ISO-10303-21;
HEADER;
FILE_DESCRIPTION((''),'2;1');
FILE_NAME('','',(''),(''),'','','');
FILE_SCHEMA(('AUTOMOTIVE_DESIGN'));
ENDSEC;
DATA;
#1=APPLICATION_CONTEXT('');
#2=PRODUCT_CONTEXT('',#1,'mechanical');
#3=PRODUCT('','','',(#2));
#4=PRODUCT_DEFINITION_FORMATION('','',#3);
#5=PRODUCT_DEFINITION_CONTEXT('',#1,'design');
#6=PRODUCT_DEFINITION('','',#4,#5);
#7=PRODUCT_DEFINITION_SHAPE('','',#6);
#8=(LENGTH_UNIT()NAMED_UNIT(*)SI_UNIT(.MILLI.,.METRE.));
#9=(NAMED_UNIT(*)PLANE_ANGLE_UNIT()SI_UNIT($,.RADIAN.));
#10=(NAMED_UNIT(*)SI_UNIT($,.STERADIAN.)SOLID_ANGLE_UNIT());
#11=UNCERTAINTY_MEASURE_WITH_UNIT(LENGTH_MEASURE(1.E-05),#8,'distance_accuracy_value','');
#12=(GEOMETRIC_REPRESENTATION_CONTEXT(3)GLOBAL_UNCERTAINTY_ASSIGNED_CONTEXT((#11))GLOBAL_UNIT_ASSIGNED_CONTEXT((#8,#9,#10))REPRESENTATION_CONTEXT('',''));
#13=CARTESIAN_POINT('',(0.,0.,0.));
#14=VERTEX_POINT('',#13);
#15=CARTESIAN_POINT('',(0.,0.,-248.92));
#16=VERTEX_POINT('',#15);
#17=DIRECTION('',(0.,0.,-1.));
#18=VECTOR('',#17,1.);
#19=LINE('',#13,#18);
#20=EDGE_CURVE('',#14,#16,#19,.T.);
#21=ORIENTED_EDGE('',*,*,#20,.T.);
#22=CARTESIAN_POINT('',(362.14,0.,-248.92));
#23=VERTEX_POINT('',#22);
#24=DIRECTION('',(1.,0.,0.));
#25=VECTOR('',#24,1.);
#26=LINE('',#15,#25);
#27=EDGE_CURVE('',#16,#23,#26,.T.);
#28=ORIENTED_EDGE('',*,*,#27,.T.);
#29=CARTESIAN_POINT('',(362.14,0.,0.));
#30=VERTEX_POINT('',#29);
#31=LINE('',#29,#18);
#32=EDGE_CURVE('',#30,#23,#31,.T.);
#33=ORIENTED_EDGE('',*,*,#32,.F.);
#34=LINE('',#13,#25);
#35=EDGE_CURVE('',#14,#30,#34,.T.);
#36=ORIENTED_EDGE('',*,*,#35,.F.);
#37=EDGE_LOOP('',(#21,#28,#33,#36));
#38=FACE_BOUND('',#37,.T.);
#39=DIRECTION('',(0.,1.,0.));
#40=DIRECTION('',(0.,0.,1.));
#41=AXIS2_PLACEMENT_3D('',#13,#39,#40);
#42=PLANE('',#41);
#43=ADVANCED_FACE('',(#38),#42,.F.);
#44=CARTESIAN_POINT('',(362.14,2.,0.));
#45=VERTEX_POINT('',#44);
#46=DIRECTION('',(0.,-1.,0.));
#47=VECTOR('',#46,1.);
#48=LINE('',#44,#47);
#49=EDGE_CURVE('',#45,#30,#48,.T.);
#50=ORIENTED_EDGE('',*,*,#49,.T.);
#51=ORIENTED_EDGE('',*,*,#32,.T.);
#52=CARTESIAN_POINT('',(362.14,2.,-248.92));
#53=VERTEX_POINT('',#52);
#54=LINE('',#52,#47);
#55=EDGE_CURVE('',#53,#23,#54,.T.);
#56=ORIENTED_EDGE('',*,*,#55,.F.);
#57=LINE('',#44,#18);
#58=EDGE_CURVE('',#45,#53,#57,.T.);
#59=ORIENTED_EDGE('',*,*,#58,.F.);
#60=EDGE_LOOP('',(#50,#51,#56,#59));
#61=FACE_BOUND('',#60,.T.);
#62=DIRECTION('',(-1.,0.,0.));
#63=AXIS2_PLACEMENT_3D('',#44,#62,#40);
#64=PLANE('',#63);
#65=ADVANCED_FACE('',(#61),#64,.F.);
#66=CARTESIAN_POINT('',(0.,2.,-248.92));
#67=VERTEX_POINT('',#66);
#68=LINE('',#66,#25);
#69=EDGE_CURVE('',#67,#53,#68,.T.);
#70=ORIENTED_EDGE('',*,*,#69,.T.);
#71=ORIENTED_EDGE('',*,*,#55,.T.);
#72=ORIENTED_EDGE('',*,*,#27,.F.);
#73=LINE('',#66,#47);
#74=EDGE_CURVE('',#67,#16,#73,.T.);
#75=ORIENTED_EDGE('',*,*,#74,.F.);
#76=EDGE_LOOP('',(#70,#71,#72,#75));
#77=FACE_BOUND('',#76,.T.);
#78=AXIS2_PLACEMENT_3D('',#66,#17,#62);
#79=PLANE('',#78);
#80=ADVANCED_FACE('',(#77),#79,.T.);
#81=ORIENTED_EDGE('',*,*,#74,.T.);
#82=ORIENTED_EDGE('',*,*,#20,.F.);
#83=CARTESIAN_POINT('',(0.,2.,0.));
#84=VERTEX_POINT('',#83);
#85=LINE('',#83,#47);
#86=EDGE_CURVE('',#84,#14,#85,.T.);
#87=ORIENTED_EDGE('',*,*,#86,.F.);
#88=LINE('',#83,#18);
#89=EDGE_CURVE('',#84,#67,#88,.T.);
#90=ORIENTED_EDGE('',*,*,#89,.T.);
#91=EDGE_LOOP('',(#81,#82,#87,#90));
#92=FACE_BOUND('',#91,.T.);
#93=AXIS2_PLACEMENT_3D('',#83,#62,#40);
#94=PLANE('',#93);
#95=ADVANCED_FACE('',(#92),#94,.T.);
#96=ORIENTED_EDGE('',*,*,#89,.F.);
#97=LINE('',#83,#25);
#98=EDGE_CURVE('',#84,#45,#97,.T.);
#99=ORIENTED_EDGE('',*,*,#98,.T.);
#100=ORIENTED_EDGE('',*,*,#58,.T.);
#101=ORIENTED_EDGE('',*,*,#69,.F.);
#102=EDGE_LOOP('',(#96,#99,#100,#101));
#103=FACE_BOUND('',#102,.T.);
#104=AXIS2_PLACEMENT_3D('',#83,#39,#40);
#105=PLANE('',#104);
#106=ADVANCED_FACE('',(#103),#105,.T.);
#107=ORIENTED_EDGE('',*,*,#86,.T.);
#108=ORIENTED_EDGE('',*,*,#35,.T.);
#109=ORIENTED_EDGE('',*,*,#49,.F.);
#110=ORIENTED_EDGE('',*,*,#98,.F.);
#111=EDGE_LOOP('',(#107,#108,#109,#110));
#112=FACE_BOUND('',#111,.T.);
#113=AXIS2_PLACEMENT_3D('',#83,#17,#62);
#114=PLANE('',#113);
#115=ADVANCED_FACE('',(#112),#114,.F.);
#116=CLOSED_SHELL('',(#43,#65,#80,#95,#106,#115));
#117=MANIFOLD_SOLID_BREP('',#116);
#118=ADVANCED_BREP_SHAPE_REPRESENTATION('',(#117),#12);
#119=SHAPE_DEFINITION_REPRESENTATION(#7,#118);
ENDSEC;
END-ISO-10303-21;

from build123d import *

# Parameters (mm, degrees)
SKETCH1_W           = 362.14
SKETCH1_H           = 248.92
BOSS_EXTRUDE1_DEPTH = 2


with BuildPart() as part:
    # Sketch1 → Boss-Extrude1 (new body)
    with BuildSketch(Plane(origin=(0, 0, 0), x_dir=(1, 0, 0), z_dir=(0, 1, 0))):
        with Locations((181.07, 124.46)):
            Rectangle(SKETCH1_W, SKETCH1_H)
    extrude(amount=BOSS_EXTRUDE1_DEPTH)


solid = part.part
